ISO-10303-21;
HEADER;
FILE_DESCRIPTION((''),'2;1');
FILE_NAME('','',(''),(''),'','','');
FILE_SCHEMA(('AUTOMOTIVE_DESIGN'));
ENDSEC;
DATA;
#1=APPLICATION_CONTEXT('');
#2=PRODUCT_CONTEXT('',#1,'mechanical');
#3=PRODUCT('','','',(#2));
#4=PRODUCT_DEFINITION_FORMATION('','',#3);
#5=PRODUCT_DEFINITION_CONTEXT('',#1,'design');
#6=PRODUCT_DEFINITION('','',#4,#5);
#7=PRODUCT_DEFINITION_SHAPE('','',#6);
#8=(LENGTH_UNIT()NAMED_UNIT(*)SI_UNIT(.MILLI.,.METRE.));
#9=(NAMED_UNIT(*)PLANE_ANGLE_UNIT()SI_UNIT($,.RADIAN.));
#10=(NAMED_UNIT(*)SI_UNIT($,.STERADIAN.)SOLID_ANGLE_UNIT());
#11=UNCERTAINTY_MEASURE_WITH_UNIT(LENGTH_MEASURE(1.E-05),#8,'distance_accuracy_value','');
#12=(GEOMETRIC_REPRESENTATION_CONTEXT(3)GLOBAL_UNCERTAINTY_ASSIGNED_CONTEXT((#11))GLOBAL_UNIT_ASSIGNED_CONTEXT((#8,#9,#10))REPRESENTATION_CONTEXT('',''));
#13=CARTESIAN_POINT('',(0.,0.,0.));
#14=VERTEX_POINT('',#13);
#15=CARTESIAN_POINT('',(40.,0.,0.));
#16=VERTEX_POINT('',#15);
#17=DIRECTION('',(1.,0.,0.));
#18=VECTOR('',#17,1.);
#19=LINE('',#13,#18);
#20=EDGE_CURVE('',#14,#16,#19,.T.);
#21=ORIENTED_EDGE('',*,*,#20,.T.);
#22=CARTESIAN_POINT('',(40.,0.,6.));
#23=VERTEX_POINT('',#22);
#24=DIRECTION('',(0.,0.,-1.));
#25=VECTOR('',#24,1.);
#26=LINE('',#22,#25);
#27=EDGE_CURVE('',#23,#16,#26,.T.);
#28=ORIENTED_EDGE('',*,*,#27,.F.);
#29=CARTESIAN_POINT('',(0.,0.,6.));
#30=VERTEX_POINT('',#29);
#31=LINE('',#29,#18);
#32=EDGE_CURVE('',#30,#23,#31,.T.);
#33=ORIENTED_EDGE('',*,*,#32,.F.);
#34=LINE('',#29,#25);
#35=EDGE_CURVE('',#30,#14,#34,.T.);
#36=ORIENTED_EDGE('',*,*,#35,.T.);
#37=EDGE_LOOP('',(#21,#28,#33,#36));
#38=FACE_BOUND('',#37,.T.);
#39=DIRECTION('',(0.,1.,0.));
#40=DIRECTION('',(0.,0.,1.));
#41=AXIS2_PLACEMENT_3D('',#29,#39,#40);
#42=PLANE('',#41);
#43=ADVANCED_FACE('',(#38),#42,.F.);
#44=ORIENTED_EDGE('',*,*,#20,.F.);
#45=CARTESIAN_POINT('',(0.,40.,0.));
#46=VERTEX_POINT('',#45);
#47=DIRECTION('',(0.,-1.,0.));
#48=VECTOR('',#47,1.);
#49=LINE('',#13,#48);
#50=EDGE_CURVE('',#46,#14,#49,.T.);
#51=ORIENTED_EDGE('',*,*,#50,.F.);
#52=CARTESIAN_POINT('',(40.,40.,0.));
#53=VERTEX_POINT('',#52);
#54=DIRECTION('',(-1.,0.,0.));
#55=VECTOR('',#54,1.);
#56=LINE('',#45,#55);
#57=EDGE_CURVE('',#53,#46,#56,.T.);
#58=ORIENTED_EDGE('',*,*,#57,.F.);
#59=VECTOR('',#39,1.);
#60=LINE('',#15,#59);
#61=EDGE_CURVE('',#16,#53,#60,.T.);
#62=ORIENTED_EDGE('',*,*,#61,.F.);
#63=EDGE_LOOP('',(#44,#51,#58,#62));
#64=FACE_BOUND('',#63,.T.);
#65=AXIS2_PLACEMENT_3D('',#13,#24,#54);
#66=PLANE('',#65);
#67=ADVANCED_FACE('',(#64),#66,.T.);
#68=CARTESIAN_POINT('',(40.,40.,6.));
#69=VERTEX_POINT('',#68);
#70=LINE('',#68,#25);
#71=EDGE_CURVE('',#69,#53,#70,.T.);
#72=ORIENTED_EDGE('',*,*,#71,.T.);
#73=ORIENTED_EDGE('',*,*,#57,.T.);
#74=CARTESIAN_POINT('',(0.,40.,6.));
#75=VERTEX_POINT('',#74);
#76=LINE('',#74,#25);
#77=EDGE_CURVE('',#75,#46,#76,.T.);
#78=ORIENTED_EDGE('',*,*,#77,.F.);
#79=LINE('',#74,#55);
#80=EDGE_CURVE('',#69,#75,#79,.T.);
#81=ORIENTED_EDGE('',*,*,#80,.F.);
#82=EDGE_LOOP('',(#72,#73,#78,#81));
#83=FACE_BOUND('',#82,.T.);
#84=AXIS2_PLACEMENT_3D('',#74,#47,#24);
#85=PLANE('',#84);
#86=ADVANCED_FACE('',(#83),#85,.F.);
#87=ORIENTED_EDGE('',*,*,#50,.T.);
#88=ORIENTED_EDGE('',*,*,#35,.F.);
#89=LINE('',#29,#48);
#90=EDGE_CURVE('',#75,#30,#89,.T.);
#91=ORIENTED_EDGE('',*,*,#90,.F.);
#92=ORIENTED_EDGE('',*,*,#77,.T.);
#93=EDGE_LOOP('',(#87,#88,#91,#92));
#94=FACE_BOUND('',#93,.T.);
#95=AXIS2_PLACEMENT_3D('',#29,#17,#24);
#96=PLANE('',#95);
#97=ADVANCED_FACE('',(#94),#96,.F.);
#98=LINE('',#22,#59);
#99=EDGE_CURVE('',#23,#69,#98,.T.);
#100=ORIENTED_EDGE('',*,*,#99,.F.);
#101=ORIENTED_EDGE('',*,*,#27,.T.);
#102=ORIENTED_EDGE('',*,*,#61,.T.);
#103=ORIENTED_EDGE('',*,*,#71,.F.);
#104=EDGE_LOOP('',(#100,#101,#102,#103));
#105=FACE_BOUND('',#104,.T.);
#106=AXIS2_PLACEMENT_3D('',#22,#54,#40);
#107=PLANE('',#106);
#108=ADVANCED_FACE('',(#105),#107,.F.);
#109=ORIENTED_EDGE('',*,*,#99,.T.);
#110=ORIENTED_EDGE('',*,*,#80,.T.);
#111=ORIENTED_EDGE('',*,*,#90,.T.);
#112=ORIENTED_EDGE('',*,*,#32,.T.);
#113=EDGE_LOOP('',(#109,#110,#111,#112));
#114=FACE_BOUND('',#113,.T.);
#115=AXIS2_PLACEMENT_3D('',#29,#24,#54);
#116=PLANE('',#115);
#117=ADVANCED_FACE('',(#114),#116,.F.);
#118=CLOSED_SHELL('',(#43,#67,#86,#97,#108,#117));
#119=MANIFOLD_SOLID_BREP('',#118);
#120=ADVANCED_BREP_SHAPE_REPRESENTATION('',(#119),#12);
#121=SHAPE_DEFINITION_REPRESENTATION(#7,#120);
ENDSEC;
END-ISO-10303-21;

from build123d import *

# Parameters (mm, degrees)
SKETCH_1_W      = 40
SKETCH_1_H      = 40
EXTRUDE_1_DEPTH = 6


with BuildPart() as part:
    # 草图1 → 凸台-拉伸1 (new body)
    with BuildSketch(Plane.XY):
        with Locations((20, 20)):
            Rectangle(SKETCH_1_W, SKETCH_1_H)
    extrude(amount=EXTRUDE_1_DEPTH)


solid = part.part
